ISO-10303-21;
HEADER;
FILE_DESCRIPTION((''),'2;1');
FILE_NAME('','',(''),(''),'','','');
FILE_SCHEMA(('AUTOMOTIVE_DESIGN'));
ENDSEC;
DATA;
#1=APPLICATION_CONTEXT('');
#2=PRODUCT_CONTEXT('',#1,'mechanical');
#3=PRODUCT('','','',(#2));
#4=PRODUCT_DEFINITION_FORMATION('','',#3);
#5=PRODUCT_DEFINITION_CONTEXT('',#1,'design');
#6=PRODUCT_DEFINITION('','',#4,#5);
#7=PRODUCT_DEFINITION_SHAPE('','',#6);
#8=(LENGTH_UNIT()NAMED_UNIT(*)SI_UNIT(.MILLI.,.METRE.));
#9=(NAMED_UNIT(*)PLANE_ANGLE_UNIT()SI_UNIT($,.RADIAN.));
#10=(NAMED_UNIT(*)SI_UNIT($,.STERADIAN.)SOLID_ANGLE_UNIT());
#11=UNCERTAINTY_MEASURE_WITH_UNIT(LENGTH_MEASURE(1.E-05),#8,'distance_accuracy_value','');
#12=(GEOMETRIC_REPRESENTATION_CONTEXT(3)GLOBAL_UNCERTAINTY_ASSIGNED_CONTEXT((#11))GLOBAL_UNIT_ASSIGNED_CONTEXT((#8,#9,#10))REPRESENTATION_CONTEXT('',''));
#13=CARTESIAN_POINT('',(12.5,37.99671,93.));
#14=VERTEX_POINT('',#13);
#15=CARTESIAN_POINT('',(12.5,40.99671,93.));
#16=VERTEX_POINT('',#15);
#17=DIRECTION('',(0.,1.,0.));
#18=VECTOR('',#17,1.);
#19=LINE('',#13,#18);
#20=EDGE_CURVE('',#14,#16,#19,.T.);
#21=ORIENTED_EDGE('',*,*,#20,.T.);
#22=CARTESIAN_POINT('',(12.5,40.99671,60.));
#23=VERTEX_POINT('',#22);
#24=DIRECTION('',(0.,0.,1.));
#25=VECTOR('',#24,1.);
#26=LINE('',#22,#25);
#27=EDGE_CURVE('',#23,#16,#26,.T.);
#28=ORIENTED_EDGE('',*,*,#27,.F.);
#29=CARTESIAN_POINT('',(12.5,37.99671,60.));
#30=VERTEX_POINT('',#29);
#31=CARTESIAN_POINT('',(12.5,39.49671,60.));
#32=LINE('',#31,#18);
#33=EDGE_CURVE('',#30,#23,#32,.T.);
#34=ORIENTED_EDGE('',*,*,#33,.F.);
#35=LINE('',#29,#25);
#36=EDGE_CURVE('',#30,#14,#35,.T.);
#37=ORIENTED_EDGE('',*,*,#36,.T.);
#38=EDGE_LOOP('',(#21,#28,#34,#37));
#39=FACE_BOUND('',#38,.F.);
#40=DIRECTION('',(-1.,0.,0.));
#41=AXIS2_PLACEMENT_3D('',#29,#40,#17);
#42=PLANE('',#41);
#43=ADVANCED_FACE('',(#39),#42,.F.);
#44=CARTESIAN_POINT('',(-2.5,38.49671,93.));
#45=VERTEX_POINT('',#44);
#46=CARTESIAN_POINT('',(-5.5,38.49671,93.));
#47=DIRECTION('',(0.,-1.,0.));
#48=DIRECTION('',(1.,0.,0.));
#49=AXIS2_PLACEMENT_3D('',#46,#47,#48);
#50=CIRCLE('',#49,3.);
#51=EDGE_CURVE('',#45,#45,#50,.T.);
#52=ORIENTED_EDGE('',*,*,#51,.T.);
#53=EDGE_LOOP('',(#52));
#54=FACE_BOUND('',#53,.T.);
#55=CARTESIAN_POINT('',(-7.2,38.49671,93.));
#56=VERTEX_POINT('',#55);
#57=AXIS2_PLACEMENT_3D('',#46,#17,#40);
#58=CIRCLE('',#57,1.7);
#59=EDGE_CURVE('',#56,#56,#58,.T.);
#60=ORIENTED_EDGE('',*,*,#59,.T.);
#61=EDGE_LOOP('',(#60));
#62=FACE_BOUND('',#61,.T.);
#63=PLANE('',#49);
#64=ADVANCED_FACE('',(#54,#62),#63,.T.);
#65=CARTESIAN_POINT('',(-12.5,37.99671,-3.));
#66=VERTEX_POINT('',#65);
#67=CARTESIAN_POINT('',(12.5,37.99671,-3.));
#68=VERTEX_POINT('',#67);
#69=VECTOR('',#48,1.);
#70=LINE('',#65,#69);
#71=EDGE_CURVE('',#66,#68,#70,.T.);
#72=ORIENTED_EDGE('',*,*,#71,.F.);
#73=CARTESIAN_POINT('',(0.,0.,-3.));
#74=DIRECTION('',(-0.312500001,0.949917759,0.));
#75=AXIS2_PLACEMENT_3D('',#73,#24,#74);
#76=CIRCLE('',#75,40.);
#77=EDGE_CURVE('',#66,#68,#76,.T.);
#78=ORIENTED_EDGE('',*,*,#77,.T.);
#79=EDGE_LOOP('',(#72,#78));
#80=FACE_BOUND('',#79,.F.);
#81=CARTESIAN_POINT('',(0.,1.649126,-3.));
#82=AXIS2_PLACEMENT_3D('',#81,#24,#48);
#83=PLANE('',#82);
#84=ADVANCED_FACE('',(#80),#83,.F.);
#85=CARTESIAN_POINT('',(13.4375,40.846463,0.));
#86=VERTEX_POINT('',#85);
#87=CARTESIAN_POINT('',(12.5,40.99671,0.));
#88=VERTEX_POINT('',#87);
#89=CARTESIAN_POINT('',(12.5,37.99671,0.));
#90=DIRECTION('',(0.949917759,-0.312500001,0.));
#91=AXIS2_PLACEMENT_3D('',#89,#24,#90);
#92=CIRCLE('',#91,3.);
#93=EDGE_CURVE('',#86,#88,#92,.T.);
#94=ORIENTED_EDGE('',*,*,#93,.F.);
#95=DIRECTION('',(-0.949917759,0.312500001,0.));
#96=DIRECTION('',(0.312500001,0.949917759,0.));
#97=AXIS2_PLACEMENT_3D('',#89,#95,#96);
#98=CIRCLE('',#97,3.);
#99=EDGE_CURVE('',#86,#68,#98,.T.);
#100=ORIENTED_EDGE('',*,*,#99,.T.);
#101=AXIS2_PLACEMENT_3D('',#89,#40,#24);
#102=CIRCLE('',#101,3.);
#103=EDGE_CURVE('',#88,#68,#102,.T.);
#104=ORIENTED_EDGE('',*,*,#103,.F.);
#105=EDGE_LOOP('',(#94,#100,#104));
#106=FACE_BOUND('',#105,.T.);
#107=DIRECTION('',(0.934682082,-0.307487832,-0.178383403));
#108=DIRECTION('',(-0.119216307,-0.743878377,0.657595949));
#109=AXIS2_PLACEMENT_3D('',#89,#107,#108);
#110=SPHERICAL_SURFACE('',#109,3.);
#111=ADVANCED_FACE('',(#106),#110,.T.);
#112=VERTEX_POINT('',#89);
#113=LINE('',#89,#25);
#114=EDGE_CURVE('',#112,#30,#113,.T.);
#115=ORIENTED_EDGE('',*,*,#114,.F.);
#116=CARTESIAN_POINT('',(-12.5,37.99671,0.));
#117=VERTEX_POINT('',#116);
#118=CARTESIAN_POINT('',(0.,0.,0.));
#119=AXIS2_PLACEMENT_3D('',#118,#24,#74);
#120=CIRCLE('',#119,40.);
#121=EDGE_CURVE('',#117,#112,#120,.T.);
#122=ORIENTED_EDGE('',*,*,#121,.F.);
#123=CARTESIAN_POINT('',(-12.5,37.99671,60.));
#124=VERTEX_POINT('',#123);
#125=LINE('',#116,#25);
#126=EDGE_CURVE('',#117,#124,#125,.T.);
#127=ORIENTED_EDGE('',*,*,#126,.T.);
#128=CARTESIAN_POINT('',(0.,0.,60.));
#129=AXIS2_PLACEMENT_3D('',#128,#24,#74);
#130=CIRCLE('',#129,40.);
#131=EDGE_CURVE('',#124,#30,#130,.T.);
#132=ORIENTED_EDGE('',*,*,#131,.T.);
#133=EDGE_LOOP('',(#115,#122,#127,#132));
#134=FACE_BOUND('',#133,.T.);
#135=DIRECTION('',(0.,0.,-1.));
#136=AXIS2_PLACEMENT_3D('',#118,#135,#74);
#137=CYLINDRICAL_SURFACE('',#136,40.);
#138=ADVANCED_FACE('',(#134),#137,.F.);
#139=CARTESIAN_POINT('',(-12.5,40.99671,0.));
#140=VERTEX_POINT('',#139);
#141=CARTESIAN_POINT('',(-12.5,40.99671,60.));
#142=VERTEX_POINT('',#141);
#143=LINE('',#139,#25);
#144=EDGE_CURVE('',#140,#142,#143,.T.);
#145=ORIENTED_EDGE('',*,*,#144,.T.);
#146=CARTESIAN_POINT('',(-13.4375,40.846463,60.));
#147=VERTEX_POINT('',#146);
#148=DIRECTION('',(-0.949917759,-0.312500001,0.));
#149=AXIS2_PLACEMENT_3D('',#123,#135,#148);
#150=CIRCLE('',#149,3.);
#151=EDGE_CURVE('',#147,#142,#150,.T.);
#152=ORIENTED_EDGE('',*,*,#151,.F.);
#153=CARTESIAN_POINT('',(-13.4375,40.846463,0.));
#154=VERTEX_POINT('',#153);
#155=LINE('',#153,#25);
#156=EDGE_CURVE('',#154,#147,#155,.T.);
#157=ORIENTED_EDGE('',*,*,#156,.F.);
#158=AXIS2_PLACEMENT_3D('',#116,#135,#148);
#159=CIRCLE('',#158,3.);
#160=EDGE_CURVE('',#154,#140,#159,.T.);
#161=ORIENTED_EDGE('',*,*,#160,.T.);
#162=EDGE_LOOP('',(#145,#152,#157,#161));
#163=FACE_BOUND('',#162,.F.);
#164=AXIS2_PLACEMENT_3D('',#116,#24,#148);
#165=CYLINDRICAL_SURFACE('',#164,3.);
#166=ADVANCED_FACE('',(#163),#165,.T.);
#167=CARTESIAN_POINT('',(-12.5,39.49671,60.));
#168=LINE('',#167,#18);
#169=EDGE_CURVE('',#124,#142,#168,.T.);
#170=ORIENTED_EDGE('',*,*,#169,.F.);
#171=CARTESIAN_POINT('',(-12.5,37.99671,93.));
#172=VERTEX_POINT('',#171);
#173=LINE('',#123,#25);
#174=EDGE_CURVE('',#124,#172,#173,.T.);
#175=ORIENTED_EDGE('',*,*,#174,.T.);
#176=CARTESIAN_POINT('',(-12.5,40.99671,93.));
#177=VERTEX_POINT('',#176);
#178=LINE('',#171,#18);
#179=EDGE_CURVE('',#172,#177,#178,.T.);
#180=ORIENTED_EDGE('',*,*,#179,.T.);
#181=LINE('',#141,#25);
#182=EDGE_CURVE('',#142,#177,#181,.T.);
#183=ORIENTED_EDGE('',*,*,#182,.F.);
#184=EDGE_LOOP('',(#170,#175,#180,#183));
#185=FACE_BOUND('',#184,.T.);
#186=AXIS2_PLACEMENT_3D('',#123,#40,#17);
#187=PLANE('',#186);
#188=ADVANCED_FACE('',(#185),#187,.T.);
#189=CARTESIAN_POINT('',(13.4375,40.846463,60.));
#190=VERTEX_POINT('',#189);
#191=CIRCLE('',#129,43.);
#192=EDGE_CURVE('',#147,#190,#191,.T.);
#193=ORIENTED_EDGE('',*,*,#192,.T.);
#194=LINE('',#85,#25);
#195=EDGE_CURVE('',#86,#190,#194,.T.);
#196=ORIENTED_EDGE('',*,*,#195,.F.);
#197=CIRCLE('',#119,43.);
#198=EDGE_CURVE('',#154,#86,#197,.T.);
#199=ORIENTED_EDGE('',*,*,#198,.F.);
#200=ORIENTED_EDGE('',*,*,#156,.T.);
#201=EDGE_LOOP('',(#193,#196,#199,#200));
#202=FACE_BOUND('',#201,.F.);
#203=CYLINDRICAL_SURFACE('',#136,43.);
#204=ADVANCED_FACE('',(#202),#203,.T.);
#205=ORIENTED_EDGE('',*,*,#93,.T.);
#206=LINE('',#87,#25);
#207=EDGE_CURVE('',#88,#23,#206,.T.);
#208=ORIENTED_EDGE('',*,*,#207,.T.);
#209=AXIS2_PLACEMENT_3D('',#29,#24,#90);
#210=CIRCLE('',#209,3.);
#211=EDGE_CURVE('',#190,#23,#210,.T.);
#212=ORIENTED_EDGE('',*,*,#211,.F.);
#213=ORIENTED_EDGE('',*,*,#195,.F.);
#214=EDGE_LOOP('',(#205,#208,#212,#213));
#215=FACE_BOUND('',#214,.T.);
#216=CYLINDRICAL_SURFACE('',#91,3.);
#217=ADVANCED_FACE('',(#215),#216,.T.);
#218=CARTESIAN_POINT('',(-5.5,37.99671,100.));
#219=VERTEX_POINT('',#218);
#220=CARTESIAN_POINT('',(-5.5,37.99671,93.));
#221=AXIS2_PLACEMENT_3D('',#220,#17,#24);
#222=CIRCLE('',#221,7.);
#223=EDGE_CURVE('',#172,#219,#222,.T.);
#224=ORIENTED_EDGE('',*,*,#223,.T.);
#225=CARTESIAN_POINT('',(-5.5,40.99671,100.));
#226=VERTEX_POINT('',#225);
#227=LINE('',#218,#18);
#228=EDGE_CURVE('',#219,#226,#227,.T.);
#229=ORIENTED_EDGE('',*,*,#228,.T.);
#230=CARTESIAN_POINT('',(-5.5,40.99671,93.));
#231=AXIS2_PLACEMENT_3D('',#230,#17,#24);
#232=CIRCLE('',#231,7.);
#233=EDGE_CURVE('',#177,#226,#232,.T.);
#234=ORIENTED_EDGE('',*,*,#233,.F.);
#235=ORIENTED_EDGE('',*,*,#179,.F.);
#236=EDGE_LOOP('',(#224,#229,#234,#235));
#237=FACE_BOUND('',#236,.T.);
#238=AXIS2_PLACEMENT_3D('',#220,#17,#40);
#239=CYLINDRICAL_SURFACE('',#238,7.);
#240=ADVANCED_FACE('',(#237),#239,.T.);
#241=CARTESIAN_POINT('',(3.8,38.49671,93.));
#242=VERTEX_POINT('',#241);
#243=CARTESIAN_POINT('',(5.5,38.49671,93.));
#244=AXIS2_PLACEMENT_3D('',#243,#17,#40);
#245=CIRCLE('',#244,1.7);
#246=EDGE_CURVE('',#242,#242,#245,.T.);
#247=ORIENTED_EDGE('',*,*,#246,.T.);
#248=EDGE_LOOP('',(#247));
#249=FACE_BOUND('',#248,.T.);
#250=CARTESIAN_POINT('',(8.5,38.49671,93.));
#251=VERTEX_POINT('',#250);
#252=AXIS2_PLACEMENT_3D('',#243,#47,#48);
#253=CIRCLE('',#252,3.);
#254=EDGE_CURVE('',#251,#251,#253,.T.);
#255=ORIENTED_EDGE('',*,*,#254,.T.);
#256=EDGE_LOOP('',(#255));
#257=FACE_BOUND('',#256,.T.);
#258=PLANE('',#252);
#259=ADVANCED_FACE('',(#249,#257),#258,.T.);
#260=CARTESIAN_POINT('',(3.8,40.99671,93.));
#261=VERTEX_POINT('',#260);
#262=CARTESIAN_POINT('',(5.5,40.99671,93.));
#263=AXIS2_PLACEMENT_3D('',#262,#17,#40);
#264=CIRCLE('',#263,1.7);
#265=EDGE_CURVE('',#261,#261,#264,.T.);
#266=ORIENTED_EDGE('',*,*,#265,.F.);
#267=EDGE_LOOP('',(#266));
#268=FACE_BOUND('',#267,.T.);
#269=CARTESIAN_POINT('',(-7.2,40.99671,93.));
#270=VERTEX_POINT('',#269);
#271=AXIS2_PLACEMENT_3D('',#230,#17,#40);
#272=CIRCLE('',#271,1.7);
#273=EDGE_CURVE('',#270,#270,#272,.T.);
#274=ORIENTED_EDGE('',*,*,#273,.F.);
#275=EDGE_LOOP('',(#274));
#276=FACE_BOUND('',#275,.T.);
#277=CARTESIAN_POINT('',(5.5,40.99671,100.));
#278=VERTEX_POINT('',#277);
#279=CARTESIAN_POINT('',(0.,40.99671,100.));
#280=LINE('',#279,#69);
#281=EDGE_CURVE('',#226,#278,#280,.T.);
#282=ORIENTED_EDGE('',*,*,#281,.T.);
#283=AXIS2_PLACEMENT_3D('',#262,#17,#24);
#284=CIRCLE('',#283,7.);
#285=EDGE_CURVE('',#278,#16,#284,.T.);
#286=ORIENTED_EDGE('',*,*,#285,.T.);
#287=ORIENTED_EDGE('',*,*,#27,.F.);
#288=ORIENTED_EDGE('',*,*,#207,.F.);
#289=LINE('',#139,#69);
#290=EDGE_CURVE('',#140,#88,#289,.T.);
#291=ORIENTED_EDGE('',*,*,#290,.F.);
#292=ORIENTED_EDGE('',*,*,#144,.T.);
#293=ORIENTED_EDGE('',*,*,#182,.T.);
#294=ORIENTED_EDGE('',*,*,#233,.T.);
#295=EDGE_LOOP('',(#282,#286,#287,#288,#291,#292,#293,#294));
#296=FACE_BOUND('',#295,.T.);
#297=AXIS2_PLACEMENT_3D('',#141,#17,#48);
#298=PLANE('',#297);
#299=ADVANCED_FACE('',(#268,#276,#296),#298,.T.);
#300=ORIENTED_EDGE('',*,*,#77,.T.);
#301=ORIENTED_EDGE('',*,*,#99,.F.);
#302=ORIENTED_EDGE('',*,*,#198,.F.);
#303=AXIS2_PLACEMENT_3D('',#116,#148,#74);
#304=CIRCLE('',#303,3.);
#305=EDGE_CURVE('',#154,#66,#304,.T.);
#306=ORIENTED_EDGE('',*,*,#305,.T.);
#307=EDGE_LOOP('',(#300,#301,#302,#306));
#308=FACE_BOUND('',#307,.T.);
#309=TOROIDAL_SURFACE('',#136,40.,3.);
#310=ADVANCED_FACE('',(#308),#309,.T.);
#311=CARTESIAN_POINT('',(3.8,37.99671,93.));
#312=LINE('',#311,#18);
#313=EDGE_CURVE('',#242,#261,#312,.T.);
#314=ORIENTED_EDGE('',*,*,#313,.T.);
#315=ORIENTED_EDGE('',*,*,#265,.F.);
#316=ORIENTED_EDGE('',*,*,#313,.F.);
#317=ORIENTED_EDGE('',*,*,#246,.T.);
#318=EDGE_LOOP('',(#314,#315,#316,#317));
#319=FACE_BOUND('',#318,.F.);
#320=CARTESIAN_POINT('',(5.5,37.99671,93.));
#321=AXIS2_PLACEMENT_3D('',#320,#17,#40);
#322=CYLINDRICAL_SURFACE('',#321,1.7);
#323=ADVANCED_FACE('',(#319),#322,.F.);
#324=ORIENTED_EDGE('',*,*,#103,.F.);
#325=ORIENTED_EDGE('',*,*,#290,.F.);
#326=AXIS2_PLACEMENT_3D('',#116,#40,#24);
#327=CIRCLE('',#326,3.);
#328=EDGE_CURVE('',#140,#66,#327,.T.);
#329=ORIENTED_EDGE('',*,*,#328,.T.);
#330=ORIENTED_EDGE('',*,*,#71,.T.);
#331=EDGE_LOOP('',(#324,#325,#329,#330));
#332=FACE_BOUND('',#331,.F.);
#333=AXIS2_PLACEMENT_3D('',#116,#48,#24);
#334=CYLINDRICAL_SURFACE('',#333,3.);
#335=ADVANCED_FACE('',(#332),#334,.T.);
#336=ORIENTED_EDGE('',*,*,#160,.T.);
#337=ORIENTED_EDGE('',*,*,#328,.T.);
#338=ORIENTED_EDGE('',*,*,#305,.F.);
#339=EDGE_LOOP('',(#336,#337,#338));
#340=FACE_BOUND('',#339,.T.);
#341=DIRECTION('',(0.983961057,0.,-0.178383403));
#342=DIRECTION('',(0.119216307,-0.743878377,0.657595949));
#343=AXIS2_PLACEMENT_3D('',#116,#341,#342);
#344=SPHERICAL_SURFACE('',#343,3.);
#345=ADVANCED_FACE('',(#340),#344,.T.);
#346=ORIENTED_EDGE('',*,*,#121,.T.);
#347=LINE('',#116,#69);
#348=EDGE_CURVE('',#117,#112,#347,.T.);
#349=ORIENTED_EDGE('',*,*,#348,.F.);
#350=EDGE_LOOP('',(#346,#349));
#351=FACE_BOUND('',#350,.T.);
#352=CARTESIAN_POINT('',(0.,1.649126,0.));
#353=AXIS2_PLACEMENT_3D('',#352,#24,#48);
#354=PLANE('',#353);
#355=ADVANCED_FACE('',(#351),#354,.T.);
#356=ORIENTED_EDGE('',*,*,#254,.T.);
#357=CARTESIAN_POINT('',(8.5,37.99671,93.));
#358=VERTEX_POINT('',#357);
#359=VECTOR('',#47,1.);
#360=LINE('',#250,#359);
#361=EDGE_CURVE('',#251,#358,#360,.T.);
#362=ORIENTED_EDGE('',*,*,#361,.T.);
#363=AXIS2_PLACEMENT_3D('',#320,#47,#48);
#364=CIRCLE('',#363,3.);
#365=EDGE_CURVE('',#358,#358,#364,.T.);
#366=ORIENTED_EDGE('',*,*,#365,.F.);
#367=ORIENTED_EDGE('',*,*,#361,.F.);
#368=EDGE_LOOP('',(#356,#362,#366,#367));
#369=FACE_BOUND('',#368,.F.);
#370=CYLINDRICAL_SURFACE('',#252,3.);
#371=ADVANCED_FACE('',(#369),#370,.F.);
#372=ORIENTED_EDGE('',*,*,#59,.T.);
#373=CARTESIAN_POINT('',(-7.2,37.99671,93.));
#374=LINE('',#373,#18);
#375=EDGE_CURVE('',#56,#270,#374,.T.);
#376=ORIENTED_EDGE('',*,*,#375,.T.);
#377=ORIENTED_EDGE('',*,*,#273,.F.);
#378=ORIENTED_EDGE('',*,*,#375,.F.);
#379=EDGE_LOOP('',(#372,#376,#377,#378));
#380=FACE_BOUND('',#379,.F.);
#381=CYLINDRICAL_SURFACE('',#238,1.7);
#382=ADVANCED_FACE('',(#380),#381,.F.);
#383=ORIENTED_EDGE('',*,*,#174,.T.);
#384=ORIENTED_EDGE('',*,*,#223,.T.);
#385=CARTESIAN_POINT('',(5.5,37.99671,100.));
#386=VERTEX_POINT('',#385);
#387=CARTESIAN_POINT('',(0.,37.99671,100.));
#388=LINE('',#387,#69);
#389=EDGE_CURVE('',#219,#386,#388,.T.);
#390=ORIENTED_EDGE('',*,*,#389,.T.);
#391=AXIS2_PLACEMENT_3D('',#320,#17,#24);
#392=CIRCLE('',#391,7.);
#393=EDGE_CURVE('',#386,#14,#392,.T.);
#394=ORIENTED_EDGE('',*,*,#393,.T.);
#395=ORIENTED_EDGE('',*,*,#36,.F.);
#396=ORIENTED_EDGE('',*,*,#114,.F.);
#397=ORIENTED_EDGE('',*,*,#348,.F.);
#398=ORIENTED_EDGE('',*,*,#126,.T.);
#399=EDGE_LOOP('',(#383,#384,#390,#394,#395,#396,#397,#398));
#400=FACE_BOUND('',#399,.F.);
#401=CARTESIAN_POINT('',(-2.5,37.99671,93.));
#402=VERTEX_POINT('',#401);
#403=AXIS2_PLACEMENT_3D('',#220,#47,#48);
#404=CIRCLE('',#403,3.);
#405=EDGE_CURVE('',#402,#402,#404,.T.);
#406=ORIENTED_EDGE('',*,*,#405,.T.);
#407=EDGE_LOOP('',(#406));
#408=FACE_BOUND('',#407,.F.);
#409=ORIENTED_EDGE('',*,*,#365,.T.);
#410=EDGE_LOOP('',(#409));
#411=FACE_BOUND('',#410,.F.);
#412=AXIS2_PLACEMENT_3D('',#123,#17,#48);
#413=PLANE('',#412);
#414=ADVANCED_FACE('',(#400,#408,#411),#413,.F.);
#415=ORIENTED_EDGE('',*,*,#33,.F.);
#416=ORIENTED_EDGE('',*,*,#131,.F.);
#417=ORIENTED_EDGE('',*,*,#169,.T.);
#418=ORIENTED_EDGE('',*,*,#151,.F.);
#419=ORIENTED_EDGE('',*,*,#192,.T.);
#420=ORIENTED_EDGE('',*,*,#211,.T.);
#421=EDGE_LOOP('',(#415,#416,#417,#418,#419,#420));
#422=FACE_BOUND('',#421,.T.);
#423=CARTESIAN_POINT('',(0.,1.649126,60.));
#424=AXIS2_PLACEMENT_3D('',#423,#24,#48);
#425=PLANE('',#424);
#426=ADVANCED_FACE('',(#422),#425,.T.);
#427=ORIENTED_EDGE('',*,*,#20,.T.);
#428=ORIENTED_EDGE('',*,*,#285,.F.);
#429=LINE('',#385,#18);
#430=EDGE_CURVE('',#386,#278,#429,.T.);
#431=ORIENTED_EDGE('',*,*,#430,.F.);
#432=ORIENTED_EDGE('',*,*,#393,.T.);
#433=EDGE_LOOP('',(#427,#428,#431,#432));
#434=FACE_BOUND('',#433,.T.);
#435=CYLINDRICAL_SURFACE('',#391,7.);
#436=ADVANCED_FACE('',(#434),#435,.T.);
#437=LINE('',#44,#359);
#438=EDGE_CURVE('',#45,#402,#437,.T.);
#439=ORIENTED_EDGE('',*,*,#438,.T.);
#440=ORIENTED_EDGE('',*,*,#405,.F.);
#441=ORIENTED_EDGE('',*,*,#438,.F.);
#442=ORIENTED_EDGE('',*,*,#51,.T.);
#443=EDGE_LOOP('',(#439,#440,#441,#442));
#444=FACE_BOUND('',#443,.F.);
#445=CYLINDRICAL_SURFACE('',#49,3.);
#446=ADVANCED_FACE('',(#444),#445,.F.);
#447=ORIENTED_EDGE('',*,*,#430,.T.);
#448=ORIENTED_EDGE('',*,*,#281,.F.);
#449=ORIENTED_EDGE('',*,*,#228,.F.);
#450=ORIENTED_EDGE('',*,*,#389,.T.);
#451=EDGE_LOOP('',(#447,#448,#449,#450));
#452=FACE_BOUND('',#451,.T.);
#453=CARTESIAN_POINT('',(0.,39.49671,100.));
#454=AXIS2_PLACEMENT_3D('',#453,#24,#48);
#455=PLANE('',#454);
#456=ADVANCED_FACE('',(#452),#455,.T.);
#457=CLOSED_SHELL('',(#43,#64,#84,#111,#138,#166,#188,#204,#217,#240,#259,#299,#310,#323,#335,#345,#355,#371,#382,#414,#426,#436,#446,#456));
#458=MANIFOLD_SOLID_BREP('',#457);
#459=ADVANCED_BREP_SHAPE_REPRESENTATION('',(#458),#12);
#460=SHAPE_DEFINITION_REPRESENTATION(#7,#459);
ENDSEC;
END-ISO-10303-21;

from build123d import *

# Parameters (mm, degrees)
PAD_DEPTH        = 60
THICKNESS_T      = 3
SKETCH001_W      = 25
SKETCH001_H      = 3
PAD001_DEPTH     = 40
HOLE_D           = 3.4
HOLE_DEPTH       = 12
HOLE_CBORE_D     = 6
HOLE_CBORE_DEPTH = 0.5
FILLET_R         = 7


with BuildPart() as part:
    # Sketch → Pad (new body)
    with BuildSketch(Plane.XY):
        with BuildLine():
            ThreePointArc((-12.5, 37.99671), (0, -40), (12.5, 37.99671))
            Line((-12.5, 37.99671), (12.5, 37.99671))
        make_face()
    extrude(amount=PAD_DEPTH)

    # Thickness
    thickness_openings = [part.faces().sort_by_distance(p)[0] for p in [
        (0, -0.260782, 60),
    ]]
    offset(amount=THICKNESS_T, openings=thickness_openings)

    # Sketch001 (on Face4 of Thickness) → Pad001 (join)
    with BuildSketch(Plane.XY.offset(60)):
        with Locations((0, 39.49671)):
            Rectangle(SKETCH001_W, SKETCH001_H)
    extrude(amount=PAD001_DEPTH)

    # Hole
    with Locations(Plane.XZ.offset(-37.99671)):
        with Locations((-5.5, 93), (5.5, 93)):
            CounterBoreHole(HOLE_D / 2, HOLE_CBORE_D / 2, HOLE_CBORE_DEPTH, depth=HOLE_DEPTH)

    # Fillet
    fillet_edges = [part.edges().sort_by_distance(p)[0] for p in [
        (12.5, 39.49671, 100),
        (-12.5, 39.49671, 100),
    ]]
    fillet(fillet_edges, radius=FILLET_R)


solid = part.part
